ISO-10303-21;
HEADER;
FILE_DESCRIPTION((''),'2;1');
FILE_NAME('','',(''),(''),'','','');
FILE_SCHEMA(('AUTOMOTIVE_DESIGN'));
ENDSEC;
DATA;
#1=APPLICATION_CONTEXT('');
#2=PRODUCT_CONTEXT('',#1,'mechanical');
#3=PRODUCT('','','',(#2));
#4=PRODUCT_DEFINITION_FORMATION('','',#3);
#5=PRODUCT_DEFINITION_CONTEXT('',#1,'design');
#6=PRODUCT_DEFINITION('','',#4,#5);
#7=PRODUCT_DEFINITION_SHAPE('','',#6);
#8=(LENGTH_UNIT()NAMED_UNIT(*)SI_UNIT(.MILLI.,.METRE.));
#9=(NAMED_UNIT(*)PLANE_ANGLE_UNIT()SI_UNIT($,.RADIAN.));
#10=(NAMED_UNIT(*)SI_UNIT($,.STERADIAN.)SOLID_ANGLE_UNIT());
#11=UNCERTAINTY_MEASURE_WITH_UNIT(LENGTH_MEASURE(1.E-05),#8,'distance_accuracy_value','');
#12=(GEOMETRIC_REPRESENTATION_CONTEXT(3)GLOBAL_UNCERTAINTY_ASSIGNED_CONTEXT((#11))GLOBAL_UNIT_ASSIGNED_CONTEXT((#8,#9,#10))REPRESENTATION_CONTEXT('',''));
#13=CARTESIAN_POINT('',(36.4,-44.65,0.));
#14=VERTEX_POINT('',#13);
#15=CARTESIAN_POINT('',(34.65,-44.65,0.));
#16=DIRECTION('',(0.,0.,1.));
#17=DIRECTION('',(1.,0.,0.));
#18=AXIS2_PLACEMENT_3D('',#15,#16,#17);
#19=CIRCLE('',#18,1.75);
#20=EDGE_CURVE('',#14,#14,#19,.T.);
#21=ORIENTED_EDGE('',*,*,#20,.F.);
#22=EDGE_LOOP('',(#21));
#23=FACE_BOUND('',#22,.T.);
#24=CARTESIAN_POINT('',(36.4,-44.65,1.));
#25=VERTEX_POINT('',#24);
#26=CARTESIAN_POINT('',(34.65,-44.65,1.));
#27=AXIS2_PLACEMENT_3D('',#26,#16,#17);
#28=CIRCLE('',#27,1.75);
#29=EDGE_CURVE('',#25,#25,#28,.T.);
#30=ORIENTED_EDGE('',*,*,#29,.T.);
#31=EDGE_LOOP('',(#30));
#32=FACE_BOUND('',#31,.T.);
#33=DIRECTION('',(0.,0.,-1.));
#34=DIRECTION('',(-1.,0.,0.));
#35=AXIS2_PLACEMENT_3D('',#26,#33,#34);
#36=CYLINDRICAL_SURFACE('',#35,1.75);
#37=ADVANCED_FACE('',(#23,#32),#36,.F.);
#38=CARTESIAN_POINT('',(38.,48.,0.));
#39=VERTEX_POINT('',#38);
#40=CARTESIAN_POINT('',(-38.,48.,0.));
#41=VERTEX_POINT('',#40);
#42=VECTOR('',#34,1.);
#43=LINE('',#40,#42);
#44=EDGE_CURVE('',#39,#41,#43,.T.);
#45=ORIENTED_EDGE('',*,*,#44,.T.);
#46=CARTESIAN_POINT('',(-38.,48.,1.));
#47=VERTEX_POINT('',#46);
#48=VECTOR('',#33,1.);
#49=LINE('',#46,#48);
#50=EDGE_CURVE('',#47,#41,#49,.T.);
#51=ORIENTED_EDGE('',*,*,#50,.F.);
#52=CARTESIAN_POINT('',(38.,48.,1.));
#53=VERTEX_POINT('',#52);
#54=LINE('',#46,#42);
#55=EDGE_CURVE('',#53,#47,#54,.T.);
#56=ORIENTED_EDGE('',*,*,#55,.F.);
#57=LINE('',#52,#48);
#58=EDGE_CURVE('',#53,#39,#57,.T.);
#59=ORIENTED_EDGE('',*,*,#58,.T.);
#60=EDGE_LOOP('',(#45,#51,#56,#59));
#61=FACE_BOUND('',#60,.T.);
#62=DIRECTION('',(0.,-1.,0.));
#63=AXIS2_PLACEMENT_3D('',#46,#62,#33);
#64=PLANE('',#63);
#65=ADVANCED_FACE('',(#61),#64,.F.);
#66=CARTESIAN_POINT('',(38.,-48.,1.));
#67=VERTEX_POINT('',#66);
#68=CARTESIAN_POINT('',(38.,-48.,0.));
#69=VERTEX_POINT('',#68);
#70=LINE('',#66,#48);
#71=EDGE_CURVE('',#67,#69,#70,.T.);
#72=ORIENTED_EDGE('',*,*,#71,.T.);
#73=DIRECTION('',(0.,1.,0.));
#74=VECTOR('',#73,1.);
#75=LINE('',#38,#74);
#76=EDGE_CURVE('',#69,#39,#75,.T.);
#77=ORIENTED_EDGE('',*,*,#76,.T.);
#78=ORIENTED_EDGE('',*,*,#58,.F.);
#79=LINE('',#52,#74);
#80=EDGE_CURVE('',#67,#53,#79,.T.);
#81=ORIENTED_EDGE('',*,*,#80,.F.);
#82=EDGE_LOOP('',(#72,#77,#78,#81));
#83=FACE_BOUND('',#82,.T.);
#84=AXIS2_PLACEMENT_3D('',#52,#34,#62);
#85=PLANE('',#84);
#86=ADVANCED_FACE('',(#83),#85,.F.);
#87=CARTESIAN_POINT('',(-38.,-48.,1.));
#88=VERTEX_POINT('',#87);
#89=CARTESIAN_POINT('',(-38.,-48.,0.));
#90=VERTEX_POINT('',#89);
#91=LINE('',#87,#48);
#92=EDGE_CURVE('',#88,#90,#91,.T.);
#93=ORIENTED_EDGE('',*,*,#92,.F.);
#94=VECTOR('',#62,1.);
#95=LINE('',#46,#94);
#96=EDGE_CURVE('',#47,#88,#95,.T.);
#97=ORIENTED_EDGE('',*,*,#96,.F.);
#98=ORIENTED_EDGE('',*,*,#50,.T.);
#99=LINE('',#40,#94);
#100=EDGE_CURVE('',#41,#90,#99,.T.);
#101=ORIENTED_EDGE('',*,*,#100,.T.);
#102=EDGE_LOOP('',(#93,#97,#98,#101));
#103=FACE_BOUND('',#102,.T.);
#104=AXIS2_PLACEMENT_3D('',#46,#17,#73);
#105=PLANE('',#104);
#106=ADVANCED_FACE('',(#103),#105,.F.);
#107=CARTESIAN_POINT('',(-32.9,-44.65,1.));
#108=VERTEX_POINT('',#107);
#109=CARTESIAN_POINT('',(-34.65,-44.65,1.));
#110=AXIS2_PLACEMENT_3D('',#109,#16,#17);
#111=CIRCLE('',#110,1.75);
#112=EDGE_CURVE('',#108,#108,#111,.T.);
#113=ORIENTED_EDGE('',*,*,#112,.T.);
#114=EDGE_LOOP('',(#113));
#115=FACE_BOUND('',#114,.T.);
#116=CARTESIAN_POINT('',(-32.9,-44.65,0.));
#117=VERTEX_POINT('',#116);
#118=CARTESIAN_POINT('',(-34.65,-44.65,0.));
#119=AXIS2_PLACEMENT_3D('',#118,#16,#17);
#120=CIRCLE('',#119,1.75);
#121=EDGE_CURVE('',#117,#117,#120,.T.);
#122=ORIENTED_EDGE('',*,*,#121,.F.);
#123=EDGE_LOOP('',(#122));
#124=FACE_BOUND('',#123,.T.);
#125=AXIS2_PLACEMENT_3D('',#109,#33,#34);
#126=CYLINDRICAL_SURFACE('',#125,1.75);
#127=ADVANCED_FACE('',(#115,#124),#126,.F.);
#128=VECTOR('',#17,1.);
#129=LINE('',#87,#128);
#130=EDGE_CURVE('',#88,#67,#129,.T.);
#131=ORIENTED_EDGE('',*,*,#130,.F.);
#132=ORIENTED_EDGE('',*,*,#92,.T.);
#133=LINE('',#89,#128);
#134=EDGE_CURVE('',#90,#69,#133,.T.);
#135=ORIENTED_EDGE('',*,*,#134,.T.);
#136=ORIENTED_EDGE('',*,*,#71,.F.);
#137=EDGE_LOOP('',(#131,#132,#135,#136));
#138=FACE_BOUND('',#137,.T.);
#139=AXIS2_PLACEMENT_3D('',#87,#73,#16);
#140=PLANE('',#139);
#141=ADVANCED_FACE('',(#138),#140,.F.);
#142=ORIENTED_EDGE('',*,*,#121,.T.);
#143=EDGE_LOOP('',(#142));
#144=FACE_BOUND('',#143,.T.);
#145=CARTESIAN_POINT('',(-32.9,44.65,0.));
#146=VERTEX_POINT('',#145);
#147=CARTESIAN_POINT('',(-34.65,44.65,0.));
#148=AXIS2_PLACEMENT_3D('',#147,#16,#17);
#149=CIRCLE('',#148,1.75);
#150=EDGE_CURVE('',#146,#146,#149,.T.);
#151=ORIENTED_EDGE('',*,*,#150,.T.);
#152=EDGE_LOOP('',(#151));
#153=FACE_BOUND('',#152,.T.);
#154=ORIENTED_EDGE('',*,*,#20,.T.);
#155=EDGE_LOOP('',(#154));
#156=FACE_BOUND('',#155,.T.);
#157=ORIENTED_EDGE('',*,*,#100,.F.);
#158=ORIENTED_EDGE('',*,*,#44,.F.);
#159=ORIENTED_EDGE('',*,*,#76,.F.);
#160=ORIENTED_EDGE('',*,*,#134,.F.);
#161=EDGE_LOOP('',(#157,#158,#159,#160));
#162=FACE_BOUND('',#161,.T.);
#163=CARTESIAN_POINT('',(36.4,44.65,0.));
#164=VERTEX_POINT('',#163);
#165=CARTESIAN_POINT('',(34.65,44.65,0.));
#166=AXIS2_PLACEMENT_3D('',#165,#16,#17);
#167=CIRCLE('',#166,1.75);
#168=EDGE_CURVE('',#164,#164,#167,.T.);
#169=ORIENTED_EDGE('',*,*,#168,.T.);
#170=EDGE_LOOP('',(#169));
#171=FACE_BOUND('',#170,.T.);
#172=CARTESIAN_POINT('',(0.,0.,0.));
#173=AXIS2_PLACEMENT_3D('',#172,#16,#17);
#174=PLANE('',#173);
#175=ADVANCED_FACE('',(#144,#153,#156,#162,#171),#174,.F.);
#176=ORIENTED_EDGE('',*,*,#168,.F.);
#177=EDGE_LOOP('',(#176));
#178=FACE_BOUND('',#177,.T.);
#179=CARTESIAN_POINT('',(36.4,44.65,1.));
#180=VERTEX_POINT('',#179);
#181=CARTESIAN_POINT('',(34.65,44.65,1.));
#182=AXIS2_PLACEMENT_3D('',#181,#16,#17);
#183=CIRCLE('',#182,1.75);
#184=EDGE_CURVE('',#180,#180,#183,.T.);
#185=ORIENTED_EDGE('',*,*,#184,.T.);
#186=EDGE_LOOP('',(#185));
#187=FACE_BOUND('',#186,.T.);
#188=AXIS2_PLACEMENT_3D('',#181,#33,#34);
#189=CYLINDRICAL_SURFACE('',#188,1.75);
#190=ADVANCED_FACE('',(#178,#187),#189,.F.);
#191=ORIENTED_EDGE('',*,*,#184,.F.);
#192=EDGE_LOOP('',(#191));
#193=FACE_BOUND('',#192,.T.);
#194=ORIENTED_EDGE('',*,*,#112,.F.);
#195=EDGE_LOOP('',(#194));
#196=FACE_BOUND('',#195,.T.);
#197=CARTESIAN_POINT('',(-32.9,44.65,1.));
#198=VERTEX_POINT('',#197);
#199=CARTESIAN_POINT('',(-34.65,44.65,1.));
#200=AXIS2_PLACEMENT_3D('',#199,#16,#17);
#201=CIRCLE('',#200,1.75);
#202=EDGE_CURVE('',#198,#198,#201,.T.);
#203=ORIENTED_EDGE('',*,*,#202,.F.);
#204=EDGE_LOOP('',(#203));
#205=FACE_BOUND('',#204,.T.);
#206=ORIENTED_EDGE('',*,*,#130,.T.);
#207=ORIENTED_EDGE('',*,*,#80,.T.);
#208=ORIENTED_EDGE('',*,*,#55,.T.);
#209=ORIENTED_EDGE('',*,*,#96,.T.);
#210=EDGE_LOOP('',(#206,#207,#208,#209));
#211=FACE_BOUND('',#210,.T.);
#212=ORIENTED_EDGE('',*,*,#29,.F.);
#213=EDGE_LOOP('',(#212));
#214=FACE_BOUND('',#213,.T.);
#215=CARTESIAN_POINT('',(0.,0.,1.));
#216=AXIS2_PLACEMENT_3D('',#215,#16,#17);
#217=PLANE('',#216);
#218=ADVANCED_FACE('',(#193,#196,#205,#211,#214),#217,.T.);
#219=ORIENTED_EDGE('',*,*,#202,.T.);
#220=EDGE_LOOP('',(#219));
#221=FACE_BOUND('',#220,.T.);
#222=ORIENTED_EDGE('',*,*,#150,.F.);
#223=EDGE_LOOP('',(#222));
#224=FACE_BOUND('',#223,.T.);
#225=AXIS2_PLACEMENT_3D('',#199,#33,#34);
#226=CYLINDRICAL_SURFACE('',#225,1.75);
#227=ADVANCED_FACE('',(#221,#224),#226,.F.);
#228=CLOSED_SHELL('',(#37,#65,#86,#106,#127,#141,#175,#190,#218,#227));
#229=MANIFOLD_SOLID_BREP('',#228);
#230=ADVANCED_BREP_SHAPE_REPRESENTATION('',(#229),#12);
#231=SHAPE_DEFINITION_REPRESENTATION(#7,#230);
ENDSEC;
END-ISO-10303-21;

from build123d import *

# Parameters (mm, degrees)
SKETCH1_W           = 76
SKETCH1_H           = 96
SKETCH1_R           = 1.75
BOSS_EXTRUDE1_DEPTH = 1


with BuildPart() as part:
    # Sketch1 → Boss-Extrude1 (new body)
    with BuildSketch(Plane.XY):
        Rectangle(SKETCH1_W, SKETCH1_H)
        with Locations((-34.65, 44.65)):
            Circle(SKETCH1_R, mode=Mode.SUBTRACT)
        with Locations((34.65, 44.65)):
            Circle(SKETCH1_R, mode=Mode.SUBTRACT)
        with Locations((34.65, -44.65)):
            Circle(SKETCH1_R, mode=Mode.SUBTRACT)
        with Locations((-34.65, -44.65)):
            Circle(SKETCH1_R, mode=Mode.SUBTRACT)
    extrude(amount=BOSS_EXTRUDE1_DEPTH)


solid = part.part
